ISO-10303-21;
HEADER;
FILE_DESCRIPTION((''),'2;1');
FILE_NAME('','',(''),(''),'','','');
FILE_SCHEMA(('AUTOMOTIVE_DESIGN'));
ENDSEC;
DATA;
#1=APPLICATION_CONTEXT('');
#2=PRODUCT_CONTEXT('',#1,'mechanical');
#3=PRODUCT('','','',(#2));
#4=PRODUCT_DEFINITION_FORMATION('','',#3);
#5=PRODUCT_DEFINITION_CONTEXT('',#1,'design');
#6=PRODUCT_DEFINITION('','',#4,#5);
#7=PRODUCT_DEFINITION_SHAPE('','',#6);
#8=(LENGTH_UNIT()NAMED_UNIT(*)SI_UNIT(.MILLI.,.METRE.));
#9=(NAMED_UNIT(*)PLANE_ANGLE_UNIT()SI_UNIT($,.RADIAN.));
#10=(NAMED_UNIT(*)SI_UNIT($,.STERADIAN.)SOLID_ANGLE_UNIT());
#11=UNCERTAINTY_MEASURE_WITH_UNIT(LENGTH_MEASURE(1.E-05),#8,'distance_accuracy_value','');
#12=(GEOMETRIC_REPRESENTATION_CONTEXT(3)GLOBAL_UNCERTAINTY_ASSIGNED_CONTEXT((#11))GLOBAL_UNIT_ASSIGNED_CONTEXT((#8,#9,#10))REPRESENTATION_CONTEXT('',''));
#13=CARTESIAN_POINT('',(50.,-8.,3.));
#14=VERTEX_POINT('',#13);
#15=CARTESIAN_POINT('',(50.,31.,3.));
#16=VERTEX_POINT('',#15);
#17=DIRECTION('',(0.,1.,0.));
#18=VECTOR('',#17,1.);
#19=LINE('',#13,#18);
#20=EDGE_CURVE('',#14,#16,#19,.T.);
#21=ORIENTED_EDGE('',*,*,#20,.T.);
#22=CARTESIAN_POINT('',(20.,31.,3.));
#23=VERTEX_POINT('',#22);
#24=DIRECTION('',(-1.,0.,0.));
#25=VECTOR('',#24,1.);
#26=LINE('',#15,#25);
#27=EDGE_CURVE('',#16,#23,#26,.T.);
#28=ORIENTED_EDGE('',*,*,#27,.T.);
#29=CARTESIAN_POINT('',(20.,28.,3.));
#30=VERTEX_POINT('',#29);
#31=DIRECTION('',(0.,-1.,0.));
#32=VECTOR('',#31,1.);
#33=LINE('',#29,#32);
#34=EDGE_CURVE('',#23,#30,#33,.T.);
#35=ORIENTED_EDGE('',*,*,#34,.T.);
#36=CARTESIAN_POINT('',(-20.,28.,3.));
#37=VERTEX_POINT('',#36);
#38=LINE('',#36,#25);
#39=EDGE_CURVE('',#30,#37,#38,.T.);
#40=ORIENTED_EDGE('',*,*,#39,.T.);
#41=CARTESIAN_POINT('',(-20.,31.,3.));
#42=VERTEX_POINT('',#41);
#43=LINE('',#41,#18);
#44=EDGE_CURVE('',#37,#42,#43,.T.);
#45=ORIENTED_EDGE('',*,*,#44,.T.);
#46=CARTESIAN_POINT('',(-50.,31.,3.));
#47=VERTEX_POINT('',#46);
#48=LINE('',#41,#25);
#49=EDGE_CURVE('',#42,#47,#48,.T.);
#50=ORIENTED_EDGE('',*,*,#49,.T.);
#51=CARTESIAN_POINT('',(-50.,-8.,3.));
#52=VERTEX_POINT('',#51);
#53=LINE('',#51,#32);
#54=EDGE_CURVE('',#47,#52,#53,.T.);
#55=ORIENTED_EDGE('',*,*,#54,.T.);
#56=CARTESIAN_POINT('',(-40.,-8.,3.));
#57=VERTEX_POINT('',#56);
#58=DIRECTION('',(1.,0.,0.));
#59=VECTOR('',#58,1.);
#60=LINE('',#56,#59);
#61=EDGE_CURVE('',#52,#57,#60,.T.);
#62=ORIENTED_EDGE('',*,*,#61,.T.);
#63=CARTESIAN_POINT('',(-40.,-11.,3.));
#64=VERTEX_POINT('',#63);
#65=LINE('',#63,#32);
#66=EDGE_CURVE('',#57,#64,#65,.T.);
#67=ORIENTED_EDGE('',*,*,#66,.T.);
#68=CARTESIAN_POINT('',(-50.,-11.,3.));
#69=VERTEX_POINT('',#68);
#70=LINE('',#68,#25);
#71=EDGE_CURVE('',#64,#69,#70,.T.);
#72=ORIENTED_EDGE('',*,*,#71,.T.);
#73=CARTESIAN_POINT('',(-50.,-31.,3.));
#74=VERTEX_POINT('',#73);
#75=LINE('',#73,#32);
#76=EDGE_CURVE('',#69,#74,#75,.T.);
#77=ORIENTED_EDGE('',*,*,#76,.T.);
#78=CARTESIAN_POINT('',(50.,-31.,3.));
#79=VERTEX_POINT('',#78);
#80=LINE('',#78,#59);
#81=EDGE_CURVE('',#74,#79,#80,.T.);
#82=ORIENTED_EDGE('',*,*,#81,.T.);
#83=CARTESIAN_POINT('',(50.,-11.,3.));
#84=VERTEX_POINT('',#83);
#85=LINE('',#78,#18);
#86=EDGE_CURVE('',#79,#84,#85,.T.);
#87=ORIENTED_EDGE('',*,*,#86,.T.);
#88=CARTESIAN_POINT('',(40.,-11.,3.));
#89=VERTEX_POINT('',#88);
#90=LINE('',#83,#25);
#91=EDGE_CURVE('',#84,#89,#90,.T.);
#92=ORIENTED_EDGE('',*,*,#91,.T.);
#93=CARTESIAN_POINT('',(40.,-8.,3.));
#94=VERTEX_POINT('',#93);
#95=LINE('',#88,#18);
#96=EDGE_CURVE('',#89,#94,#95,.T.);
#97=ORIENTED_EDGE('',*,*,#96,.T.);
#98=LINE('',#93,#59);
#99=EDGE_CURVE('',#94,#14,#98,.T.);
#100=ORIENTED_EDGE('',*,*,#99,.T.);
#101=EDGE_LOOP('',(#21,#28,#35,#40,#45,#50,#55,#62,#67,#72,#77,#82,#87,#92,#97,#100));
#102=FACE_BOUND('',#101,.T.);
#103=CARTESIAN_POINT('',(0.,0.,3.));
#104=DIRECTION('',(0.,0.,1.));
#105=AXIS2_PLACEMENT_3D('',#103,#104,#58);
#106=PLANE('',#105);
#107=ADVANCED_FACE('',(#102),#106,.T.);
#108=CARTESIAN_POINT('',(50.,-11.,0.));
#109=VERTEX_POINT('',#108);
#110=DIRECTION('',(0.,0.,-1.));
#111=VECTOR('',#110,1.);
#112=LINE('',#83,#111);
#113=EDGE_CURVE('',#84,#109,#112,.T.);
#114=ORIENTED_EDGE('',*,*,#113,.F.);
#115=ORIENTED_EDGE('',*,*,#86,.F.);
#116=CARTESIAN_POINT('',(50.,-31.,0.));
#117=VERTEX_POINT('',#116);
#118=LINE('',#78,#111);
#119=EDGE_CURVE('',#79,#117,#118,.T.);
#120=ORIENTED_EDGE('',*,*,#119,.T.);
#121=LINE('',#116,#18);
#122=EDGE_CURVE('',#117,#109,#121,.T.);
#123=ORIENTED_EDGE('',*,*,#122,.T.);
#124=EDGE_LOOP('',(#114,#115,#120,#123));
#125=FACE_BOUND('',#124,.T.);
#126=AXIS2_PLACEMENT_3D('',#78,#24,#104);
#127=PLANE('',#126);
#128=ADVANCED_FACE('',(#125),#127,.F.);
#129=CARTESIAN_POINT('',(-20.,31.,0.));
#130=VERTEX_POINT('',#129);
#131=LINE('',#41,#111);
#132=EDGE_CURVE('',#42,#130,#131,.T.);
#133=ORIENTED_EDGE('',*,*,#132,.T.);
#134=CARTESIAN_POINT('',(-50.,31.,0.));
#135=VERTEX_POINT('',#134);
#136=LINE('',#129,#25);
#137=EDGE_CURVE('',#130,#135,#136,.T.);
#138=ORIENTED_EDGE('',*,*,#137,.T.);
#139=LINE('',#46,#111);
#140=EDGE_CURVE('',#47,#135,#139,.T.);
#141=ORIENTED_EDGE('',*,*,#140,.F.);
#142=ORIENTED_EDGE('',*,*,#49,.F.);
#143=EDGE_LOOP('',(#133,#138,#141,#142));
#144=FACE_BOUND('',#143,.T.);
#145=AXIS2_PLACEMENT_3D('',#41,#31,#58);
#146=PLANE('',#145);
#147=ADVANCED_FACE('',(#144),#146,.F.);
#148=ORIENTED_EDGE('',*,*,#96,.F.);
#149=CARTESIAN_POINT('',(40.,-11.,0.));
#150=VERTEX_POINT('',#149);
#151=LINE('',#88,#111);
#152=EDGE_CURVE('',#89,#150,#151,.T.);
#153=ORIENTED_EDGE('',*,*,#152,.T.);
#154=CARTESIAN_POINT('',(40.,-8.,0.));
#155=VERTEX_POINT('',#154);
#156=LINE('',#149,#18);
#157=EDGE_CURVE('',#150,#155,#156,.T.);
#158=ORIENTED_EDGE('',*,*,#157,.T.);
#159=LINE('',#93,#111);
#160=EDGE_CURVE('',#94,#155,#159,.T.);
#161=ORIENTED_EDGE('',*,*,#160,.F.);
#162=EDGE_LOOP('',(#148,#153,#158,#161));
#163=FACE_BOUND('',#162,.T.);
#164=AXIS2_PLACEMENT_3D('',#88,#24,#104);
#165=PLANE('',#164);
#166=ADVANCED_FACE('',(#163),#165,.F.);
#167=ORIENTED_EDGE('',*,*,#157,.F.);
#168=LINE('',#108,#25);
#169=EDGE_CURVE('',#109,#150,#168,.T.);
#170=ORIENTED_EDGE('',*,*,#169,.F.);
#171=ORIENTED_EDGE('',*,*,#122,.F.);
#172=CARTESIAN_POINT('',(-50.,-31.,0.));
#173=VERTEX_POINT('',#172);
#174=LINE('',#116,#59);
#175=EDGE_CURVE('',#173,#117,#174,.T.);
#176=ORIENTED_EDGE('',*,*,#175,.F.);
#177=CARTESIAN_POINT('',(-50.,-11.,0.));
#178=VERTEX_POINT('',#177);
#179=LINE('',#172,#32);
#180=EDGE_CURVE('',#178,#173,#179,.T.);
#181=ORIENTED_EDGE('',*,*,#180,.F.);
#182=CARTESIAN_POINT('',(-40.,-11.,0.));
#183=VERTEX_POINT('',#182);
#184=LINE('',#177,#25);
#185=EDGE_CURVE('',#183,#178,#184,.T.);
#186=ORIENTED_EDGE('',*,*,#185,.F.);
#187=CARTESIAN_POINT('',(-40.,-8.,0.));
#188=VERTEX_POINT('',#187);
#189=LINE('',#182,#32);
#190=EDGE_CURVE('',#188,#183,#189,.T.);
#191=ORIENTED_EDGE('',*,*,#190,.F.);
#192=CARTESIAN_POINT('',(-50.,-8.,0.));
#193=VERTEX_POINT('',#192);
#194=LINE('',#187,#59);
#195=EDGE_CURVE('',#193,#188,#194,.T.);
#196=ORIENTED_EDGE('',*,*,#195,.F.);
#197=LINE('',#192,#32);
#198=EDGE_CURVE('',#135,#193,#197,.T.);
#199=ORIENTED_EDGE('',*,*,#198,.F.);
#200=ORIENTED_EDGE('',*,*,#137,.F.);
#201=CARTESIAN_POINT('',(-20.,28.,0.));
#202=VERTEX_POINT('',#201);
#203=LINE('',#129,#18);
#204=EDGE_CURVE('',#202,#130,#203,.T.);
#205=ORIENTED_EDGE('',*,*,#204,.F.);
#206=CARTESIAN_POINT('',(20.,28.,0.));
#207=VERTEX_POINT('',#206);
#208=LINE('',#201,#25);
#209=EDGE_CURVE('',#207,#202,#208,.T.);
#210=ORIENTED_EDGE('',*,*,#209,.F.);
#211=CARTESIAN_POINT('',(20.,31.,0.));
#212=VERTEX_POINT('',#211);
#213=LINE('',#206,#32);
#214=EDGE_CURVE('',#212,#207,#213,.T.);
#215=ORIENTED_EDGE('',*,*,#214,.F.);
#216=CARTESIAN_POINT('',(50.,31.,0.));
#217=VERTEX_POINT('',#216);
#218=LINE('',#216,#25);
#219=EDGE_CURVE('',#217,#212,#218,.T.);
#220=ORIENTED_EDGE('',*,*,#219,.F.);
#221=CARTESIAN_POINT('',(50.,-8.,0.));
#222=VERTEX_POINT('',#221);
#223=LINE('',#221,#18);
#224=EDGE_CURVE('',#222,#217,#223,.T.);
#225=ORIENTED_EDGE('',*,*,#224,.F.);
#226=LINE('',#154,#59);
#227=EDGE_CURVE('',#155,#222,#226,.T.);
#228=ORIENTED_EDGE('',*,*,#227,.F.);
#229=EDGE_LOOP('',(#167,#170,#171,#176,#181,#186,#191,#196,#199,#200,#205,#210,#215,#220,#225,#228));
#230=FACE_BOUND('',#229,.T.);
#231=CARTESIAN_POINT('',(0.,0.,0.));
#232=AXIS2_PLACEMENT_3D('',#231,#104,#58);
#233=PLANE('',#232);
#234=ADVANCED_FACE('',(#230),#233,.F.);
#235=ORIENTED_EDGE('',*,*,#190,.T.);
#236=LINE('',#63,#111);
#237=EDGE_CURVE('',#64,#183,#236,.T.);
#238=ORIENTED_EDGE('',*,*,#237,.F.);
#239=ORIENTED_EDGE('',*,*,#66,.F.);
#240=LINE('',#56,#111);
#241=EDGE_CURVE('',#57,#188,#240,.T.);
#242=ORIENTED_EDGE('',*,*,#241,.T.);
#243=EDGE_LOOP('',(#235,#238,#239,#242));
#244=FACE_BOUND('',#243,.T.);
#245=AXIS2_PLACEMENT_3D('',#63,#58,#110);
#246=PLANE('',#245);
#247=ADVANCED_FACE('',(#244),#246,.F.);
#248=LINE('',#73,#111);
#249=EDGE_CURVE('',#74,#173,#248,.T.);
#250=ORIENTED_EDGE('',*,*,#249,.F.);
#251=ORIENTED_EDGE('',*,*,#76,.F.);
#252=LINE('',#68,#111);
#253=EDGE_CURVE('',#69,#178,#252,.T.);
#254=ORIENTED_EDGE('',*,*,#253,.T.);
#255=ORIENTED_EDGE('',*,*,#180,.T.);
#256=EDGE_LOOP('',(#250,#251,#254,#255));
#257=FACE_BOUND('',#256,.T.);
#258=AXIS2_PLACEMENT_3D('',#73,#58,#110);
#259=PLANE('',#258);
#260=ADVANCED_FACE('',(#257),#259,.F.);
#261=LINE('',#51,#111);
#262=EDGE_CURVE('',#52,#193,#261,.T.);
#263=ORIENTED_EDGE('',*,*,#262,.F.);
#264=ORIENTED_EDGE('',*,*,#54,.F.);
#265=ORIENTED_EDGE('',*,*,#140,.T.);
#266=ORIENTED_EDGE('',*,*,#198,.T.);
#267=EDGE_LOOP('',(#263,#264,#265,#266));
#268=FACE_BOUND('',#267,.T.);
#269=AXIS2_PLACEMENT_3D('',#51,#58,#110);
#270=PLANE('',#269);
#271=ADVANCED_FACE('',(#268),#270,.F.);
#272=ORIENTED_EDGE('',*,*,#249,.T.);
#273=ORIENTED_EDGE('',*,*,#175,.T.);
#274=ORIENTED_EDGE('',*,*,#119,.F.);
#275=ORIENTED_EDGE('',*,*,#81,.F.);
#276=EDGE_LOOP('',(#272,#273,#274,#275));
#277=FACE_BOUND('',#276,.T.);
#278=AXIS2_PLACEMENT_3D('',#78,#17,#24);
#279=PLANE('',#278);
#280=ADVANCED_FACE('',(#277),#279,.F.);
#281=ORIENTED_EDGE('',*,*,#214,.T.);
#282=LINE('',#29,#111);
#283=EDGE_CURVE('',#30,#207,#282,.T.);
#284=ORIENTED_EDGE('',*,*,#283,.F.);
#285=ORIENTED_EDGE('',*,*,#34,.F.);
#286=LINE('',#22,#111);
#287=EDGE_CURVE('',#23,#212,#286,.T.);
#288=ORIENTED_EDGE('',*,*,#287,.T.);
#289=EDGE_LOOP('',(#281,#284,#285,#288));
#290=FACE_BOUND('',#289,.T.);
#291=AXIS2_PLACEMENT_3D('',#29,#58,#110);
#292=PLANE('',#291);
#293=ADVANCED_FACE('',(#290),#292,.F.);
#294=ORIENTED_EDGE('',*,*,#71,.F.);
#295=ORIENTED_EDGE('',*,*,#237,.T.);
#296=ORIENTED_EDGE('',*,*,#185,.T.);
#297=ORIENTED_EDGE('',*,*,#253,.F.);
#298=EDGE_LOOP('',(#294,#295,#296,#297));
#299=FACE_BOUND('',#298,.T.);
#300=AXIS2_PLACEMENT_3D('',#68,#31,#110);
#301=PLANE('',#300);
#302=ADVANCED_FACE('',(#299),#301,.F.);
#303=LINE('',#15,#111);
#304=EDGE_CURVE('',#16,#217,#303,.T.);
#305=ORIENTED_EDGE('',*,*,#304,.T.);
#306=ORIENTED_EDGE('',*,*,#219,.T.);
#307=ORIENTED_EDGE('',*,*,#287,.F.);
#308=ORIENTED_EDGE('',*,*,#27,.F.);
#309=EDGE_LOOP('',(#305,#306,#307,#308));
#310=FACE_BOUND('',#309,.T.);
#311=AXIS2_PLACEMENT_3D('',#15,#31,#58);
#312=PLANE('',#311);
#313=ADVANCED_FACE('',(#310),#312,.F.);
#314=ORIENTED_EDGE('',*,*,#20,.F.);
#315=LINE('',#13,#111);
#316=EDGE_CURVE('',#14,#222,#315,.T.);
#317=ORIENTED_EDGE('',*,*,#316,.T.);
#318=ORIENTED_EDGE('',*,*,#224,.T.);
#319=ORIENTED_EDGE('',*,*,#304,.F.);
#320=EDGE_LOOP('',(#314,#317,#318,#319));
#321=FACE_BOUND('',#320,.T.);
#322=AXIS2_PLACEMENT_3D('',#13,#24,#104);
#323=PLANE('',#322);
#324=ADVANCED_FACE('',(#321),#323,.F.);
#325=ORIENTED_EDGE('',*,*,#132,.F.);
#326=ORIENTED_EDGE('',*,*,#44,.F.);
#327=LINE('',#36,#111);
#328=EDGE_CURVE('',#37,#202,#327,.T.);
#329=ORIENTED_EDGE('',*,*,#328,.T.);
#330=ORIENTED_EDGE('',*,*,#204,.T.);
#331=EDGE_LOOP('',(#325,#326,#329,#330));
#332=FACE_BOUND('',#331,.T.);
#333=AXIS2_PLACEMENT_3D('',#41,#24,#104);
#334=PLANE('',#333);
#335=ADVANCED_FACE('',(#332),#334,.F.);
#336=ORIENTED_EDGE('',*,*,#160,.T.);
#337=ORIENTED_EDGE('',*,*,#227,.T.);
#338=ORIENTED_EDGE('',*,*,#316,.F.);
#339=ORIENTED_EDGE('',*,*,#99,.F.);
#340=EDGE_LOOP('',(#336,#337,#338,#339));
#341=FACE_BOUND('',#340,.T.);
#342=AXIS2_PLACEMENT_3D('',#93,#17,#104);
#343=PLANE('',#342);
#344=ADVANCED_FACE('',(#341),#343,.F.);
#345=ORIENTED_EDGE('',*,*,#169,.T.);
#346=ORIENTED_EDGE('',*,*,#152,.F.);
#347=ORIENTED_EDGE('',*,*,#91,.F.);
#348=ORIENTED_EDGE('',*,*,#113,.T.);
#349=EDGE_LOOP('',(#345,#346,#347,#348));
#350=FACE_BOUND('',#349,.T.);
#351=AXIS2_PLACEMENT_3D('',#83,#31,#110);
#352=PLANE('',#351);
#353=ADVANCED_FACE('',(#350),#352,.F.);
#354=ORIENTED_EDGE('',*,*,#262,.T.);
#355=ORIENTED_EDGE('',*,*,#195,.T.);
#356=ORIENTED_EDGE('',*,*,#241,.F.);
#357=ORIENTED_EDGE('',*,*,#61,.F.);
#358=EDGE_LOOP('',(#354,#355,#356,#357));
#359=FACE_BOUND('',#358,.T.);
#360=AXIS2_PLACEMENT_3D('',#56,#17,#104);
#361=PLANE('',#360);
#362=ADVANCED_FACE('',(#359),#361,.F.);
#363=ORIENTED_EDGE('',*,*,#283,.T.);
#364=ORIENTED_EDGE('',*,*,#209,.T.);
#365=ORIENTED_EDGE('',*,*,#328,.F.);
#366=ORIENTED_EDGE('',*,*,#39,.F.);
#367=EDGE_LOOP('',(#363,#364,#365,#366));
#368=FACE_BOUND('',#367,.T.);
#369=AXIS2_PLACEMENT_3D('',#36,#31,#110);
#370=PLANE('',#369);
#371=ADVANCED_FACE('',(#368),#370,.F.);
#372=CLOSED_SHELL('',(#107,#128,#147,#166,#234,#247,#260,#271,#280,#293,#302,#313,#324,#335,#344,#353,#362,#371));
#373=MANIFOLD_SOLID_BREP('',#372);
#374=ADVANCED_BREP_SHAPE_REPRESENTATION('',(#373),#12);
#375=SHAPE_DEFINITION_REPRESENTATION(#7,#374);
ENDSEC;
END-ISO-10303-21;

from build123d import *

# Parameters (mm, degrees)
BOSS_EXTRUDE1_DEPTH = 3


with BuildPart() as part:
    # Sketch1 → Boss-Extrude1 (new body)
    with BuildSketch(Plane.XY):
        Polygon((-20, 31), (-20, 28), (20, 28), (20, 31), (50, 31), (50, -8), (40, -8), (40, -11), (50, -11), (50, -31), (-50, -31), (-50, -11), (-40, -11), (-40, -8), (-50, -8), (-50, 31), align=None)
    extrude(amount=BOSS_EXTRUDE1_DEPTH)


solid = part.part
